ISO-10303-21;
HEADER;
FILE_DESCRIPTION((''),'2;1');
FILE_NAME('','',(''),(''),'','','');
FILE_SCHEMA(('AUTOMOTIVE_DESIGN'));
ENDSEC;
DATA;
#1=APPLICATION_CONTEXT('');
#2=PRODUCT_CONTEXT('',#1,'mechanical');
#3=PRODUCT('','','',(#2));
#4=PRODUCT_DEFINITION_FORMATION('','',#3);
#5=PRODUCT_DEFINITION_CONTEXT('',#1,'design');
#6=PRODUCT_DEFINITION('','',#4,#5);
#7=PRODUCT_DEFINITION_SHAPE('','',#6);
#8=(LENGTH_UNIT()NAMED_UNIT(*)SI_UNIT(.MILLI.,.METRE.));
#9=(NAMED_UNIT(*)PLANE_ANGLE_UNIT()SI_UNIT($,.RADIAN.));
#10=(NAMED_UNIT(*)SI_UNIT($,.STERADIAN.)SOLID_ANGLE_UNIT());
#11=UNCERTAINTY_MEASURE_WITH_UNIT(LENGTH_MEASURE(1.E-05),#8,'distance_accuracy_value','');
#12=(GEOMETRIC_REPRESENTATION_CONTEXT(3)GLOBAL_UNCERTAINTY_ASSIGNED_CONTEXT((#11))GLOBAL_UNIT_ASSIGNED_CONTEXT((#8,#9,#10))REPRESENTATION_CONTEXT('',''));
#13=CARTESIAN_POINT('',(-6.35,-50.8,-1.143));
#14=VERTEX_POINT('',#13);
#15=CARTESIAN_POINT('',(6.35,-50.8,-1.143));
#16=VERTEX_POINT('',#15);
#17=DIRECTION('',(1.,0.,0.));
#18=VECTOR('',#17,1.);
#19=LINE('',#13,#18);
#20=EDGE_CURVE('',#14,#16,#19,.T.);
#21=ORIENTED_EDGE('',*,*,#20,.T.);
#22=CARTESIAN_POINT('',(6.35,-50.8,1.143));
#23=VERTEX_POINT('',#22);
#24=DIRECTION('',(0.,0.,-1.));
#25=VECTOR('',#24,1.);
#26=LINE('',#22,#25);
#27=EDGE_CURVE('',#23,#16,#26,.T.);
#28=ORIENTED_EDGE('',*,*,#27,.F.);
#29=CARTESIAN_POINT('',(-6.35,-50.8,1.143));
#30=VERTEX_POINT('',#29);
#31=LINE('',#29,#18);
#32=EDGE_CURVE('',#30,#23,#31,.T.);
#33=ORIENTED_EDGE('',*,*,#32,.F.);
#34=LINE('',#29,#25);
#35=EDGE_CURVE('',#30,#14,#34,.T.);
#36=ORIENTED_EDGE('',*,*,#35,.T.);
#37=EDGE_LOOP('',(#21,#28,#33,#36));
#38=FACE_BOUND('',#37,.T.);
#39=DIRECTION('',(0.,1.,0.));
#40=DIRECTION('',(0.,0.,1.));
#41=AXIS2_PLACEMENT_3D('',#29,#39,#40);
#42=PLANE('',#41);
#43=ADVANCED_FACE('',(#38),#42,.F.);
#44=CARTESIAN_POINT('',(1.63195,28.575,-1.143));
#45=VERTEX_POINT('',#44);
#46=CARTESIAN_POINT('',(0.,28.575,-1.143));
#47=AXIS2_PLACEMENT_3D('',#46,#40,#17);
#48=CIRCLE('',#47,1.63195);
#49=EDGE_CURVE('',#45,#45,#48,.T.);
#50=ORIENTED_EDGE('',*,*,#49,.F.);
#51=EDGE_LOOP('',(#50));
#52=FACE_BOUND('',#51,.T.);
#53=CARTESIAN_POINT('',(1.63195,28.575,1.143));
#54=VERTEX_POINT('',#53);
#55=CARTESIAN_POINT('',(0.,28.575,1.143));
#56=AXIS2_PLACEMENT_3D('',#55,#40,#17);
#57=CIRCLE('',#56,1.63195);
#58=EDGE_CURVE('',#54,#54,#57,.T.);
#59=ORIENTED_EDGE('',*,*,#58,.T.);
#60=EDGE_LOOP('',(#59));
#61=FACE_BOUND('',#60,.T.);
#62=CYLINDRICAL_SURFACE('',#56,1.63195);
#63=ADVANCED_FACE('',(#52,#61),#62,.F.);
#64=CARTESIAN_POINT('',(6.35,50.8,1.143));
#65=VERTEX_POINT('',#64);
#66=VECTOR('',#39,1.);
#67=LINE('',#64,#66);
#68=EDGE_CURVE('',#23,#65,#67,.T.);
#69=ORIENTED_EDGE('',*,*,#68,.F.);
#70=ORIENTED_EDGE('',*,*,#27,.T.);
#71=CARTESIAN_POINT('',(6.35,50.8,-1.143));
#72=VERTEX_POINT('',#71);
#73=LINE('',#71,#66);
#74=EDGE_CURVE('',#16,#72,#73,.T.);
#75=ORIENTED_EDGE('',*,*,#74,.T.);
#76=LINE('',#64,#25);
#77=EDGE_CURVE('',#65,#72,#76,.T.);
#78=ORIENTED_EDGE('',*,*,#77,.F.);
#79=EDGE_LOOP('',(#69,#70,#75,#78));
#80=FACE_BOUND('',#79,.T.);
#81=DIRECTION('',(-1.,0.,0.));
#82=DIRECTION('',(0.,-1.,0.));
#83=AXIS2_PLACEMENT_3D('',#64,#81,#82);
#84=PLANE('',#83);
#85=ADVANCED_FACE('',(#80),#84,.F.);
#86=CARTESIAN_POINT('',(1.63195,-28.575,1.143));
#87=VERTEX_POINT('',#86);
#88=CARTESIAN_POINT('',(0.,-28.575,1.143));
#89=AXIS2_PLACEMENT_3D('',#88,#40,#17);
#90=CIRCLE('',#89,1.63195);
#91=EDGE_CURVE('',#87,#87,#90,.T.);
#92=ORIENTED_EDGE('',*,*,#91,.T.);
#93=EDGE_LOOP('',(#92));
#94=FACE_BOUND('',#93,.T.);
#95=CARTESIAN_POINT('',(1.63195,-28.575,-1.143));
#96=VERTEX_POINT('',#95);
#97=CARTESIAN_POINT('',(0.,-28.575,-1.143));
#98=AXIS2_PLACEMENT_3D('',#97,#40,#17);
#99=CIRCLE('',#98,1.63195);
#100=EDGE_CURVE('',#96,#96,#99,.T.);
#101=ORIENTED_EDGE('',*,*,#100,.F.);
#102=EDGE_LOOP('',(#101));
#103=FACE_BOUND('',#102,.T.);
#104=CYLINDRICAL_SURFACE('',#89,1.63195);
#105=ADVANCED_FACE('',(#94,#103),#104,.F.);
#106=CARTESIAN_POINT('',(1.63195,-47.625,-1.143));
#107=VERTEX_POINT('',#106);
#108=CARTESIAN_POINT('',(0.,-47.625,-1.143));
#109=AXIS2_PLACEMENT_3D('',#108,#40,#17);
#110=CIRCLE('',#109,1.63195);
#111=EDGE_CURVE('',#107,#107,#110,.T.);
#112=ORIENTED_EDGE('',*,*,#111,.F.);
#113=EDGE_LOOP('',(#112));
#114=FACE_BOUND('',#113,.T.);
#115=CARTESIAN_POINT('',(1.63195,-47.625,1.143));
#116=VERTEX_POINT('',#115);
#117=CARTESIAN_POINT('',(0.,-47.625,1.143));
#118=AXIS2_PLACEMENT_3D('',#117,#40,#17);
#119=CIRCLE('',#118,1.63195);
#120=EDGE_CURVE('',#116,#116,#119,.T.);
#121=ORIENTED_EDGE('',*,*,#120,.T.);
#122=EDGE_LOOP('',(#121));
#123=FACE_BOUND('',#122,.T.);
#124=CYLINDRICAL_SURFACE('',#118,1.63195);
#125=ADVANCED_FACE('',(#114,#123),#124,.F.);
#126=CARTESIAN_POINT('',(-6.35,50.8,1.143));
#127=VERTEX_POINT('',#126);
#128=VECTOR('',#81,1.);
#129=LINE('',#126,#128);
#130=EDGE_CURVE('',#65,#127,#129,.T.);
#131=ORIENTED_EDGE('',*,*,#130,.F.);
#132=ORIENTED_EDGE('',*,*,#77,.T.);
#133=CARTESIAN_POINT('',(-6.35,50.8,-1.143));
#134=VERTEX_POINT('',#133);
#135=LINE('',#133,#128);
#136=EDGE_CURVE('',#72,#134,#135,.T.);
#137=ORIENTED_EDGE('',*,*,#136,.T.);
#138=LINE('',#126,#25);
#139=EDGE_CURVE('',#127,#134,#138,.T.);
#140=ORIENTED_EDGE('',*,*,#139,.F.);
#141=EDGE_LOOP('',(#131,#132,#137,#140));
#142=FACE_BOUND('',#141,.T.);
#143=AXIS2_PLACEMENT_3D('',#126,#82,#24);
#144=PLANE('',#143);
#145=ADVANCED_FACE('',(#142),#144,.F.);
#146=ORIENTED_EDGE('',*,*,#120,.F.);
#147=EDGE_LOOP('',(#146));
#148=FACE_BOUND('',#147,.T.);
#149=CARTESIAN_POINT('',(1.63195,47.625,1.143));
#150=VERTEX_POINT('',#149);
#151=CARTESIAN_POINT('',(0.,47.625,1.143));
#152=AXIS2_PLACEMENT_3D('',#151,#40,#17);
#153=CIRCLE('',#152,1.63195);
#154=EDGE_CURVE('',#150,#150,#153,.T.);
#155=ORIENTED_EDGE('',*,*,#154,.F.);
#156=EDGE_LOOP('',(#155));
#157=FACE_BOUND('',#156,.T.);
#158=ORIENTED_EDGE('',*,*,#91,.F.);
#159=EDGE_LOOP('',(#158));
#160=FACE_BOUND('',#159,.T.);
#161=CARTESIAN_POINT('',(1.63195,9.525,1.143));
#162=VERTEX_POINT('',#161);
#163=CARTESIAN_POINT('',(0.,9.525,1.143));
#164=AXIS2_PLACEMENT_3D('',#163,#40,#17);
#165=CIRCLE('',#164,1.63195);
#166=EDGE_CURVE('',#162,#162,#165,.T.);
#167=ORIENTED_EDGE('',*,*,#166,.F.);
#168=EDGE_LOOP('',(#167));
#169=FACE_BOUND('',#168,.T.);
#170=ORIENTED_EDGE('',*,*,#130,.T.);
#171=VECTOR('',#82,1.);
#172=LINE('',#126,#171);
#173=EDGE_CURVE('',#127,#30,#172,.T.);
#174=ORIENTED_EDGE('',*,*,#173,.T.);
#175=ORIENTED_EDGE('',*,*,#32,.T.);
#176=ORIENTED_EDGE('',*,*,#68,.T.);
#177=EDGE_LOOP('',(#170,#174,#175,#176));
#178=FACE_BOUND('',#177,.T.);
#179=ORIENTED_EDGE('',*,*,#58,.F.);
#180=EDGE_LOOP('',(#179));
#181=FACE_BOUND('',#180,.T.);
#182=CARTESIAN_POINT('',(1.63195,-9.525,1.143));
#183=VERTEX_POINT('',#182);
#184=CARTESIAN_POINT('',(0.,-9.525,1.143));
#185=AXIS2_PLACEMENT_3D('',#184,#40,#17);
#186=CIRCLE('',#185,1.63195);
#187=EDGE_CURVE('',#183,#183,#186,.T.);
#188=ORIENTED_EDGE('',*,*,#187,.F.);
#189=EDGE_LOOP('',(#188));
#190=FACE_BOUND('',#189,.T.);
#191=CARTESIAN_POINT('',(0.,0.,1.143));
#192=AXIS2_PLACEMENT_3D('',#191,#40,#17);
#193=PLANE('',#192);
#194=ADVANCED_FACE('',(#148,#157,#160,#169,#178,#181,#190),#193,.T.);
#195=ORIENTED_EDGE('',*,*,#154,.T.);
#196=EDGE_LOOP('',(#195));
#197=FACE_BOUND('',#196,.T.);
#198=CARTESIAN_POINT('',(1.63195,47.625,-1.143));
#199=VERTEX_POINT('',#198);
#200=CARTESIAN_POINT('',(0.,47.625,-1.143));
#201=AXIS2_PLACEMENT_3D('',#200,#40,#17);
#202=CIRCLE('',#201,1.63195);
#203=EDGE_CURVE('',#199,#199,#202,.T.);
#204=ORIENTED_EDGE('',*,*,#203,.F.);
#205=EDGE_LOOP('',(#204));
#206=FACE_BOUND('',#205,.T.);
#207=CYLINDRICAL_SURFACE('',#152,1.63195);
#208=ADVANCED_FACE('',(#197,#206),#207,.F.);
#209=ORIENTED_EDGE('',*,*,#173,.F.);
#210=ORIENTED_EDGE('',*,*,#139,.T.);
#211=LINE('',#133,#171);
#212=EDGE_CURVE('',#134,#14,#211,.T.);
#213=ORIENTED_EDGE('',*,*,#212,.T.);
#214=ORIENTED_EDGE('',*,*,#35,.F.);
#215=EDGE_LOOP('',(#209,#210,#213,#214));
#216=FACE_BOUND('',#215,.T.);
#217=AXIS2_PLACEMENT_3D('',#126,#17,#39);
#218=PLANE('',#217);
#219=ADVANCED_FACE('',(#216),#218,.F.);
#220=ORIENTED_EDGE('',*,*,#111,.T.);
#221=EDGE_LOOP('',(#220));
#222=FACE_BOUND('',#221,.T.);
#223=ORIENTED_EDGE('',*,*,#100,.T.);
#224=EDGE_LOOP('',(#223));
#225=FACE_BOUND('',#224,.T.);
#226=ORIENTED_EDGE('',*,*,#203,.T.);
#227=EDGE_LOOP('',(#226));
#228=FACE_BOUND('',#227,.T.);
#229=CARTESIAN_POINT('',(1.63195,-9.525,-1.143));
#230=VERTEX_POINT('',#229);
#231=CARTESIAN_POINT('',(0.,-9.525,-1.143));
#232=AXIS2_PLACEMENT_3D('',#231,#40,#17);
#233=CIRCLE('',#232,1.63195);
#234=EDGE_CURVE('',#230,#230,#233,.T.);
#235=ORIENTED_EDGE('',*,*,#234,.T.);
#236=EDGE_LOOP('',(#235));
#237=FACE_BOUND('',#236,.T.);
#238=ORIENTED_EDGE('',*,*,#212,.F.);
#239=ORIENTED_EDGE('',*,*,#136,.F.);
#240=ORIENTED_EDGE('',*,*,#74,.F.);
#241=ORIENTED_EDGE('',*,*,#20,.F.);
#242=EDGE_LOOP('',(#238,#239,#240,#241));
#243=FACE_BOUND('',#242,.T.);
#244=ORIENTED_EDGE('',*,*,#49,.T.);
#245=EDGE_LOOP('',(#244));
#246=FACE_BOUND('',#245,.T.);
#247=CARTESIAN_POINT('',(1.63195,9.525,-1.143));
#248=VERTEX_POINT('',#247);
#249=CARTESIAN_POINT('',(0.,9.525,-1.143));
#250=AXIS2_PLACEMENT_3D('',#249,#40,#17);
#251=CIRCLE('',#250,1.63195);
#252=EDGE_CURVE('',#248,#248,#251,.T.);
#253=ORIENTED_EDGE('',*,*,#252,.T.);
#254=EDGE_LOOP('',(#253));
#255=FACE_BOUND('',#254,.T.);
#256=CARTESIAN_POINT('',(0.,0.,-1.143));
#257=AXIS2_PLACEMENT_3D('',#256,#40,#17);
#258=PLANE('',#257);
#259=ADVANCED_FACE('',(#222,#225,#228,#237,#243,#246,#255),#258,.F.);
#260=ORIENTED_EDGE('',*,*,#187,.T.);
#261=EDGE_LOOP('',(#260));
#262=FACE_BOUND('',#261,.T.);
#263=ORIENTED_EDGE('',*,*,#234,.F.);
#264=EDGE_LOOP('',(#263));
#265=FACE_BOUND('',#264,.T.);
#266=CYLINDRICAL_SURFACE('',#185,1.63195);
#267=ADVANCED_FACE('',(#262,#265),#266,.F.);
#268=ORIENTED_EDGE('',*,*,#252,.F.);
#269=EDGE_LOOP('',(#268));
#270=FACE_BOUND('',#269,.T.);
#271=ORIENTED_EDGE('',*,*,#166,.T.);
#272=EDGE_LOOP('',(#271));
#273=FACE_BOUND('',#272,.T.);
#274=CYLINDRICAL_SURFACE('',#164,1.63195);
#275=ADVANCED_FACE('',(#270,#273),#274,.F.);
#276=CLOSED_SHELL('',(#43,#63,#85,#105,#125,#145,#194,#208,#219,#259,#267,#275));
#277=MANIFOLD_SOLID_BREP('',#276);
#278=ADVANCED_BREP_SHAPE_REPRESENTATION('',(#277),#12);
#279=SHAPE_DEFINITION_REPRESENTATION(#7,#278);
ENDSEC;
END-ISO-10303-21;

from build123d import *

# Parameters (mm, degrees)
SKETCH1_W             = 12.7
SKETCH1_H             = 101.6
BOSS_EXTRUDE2_DEPTH   = 1.143
F_4_CLEARANCE_HOLE1_D = 3.2639


with BuildPart() as part:
    # Sketch1 → Boss-Extrude2 (new, symmetric)
    with BuildSketch(Plane.XY):
        Rectangle(SKETCH1_W, SKETCH1_H)
    extrude(amount=BOSS_EXTRUDE2_DEPTH, both=True)

    # #4 Clearance Hole1 (through all)
    with Locations(Plane.XY.offset(1.143)):
        with Locations((0, 47.625), (0, 28.575), (0, 9.525), (0, -9.525), (0, -28.575), (0, -47.625)):
            Hole(F_4_CLEARANCE_HOLE1_D / 2)


solid = part.part
